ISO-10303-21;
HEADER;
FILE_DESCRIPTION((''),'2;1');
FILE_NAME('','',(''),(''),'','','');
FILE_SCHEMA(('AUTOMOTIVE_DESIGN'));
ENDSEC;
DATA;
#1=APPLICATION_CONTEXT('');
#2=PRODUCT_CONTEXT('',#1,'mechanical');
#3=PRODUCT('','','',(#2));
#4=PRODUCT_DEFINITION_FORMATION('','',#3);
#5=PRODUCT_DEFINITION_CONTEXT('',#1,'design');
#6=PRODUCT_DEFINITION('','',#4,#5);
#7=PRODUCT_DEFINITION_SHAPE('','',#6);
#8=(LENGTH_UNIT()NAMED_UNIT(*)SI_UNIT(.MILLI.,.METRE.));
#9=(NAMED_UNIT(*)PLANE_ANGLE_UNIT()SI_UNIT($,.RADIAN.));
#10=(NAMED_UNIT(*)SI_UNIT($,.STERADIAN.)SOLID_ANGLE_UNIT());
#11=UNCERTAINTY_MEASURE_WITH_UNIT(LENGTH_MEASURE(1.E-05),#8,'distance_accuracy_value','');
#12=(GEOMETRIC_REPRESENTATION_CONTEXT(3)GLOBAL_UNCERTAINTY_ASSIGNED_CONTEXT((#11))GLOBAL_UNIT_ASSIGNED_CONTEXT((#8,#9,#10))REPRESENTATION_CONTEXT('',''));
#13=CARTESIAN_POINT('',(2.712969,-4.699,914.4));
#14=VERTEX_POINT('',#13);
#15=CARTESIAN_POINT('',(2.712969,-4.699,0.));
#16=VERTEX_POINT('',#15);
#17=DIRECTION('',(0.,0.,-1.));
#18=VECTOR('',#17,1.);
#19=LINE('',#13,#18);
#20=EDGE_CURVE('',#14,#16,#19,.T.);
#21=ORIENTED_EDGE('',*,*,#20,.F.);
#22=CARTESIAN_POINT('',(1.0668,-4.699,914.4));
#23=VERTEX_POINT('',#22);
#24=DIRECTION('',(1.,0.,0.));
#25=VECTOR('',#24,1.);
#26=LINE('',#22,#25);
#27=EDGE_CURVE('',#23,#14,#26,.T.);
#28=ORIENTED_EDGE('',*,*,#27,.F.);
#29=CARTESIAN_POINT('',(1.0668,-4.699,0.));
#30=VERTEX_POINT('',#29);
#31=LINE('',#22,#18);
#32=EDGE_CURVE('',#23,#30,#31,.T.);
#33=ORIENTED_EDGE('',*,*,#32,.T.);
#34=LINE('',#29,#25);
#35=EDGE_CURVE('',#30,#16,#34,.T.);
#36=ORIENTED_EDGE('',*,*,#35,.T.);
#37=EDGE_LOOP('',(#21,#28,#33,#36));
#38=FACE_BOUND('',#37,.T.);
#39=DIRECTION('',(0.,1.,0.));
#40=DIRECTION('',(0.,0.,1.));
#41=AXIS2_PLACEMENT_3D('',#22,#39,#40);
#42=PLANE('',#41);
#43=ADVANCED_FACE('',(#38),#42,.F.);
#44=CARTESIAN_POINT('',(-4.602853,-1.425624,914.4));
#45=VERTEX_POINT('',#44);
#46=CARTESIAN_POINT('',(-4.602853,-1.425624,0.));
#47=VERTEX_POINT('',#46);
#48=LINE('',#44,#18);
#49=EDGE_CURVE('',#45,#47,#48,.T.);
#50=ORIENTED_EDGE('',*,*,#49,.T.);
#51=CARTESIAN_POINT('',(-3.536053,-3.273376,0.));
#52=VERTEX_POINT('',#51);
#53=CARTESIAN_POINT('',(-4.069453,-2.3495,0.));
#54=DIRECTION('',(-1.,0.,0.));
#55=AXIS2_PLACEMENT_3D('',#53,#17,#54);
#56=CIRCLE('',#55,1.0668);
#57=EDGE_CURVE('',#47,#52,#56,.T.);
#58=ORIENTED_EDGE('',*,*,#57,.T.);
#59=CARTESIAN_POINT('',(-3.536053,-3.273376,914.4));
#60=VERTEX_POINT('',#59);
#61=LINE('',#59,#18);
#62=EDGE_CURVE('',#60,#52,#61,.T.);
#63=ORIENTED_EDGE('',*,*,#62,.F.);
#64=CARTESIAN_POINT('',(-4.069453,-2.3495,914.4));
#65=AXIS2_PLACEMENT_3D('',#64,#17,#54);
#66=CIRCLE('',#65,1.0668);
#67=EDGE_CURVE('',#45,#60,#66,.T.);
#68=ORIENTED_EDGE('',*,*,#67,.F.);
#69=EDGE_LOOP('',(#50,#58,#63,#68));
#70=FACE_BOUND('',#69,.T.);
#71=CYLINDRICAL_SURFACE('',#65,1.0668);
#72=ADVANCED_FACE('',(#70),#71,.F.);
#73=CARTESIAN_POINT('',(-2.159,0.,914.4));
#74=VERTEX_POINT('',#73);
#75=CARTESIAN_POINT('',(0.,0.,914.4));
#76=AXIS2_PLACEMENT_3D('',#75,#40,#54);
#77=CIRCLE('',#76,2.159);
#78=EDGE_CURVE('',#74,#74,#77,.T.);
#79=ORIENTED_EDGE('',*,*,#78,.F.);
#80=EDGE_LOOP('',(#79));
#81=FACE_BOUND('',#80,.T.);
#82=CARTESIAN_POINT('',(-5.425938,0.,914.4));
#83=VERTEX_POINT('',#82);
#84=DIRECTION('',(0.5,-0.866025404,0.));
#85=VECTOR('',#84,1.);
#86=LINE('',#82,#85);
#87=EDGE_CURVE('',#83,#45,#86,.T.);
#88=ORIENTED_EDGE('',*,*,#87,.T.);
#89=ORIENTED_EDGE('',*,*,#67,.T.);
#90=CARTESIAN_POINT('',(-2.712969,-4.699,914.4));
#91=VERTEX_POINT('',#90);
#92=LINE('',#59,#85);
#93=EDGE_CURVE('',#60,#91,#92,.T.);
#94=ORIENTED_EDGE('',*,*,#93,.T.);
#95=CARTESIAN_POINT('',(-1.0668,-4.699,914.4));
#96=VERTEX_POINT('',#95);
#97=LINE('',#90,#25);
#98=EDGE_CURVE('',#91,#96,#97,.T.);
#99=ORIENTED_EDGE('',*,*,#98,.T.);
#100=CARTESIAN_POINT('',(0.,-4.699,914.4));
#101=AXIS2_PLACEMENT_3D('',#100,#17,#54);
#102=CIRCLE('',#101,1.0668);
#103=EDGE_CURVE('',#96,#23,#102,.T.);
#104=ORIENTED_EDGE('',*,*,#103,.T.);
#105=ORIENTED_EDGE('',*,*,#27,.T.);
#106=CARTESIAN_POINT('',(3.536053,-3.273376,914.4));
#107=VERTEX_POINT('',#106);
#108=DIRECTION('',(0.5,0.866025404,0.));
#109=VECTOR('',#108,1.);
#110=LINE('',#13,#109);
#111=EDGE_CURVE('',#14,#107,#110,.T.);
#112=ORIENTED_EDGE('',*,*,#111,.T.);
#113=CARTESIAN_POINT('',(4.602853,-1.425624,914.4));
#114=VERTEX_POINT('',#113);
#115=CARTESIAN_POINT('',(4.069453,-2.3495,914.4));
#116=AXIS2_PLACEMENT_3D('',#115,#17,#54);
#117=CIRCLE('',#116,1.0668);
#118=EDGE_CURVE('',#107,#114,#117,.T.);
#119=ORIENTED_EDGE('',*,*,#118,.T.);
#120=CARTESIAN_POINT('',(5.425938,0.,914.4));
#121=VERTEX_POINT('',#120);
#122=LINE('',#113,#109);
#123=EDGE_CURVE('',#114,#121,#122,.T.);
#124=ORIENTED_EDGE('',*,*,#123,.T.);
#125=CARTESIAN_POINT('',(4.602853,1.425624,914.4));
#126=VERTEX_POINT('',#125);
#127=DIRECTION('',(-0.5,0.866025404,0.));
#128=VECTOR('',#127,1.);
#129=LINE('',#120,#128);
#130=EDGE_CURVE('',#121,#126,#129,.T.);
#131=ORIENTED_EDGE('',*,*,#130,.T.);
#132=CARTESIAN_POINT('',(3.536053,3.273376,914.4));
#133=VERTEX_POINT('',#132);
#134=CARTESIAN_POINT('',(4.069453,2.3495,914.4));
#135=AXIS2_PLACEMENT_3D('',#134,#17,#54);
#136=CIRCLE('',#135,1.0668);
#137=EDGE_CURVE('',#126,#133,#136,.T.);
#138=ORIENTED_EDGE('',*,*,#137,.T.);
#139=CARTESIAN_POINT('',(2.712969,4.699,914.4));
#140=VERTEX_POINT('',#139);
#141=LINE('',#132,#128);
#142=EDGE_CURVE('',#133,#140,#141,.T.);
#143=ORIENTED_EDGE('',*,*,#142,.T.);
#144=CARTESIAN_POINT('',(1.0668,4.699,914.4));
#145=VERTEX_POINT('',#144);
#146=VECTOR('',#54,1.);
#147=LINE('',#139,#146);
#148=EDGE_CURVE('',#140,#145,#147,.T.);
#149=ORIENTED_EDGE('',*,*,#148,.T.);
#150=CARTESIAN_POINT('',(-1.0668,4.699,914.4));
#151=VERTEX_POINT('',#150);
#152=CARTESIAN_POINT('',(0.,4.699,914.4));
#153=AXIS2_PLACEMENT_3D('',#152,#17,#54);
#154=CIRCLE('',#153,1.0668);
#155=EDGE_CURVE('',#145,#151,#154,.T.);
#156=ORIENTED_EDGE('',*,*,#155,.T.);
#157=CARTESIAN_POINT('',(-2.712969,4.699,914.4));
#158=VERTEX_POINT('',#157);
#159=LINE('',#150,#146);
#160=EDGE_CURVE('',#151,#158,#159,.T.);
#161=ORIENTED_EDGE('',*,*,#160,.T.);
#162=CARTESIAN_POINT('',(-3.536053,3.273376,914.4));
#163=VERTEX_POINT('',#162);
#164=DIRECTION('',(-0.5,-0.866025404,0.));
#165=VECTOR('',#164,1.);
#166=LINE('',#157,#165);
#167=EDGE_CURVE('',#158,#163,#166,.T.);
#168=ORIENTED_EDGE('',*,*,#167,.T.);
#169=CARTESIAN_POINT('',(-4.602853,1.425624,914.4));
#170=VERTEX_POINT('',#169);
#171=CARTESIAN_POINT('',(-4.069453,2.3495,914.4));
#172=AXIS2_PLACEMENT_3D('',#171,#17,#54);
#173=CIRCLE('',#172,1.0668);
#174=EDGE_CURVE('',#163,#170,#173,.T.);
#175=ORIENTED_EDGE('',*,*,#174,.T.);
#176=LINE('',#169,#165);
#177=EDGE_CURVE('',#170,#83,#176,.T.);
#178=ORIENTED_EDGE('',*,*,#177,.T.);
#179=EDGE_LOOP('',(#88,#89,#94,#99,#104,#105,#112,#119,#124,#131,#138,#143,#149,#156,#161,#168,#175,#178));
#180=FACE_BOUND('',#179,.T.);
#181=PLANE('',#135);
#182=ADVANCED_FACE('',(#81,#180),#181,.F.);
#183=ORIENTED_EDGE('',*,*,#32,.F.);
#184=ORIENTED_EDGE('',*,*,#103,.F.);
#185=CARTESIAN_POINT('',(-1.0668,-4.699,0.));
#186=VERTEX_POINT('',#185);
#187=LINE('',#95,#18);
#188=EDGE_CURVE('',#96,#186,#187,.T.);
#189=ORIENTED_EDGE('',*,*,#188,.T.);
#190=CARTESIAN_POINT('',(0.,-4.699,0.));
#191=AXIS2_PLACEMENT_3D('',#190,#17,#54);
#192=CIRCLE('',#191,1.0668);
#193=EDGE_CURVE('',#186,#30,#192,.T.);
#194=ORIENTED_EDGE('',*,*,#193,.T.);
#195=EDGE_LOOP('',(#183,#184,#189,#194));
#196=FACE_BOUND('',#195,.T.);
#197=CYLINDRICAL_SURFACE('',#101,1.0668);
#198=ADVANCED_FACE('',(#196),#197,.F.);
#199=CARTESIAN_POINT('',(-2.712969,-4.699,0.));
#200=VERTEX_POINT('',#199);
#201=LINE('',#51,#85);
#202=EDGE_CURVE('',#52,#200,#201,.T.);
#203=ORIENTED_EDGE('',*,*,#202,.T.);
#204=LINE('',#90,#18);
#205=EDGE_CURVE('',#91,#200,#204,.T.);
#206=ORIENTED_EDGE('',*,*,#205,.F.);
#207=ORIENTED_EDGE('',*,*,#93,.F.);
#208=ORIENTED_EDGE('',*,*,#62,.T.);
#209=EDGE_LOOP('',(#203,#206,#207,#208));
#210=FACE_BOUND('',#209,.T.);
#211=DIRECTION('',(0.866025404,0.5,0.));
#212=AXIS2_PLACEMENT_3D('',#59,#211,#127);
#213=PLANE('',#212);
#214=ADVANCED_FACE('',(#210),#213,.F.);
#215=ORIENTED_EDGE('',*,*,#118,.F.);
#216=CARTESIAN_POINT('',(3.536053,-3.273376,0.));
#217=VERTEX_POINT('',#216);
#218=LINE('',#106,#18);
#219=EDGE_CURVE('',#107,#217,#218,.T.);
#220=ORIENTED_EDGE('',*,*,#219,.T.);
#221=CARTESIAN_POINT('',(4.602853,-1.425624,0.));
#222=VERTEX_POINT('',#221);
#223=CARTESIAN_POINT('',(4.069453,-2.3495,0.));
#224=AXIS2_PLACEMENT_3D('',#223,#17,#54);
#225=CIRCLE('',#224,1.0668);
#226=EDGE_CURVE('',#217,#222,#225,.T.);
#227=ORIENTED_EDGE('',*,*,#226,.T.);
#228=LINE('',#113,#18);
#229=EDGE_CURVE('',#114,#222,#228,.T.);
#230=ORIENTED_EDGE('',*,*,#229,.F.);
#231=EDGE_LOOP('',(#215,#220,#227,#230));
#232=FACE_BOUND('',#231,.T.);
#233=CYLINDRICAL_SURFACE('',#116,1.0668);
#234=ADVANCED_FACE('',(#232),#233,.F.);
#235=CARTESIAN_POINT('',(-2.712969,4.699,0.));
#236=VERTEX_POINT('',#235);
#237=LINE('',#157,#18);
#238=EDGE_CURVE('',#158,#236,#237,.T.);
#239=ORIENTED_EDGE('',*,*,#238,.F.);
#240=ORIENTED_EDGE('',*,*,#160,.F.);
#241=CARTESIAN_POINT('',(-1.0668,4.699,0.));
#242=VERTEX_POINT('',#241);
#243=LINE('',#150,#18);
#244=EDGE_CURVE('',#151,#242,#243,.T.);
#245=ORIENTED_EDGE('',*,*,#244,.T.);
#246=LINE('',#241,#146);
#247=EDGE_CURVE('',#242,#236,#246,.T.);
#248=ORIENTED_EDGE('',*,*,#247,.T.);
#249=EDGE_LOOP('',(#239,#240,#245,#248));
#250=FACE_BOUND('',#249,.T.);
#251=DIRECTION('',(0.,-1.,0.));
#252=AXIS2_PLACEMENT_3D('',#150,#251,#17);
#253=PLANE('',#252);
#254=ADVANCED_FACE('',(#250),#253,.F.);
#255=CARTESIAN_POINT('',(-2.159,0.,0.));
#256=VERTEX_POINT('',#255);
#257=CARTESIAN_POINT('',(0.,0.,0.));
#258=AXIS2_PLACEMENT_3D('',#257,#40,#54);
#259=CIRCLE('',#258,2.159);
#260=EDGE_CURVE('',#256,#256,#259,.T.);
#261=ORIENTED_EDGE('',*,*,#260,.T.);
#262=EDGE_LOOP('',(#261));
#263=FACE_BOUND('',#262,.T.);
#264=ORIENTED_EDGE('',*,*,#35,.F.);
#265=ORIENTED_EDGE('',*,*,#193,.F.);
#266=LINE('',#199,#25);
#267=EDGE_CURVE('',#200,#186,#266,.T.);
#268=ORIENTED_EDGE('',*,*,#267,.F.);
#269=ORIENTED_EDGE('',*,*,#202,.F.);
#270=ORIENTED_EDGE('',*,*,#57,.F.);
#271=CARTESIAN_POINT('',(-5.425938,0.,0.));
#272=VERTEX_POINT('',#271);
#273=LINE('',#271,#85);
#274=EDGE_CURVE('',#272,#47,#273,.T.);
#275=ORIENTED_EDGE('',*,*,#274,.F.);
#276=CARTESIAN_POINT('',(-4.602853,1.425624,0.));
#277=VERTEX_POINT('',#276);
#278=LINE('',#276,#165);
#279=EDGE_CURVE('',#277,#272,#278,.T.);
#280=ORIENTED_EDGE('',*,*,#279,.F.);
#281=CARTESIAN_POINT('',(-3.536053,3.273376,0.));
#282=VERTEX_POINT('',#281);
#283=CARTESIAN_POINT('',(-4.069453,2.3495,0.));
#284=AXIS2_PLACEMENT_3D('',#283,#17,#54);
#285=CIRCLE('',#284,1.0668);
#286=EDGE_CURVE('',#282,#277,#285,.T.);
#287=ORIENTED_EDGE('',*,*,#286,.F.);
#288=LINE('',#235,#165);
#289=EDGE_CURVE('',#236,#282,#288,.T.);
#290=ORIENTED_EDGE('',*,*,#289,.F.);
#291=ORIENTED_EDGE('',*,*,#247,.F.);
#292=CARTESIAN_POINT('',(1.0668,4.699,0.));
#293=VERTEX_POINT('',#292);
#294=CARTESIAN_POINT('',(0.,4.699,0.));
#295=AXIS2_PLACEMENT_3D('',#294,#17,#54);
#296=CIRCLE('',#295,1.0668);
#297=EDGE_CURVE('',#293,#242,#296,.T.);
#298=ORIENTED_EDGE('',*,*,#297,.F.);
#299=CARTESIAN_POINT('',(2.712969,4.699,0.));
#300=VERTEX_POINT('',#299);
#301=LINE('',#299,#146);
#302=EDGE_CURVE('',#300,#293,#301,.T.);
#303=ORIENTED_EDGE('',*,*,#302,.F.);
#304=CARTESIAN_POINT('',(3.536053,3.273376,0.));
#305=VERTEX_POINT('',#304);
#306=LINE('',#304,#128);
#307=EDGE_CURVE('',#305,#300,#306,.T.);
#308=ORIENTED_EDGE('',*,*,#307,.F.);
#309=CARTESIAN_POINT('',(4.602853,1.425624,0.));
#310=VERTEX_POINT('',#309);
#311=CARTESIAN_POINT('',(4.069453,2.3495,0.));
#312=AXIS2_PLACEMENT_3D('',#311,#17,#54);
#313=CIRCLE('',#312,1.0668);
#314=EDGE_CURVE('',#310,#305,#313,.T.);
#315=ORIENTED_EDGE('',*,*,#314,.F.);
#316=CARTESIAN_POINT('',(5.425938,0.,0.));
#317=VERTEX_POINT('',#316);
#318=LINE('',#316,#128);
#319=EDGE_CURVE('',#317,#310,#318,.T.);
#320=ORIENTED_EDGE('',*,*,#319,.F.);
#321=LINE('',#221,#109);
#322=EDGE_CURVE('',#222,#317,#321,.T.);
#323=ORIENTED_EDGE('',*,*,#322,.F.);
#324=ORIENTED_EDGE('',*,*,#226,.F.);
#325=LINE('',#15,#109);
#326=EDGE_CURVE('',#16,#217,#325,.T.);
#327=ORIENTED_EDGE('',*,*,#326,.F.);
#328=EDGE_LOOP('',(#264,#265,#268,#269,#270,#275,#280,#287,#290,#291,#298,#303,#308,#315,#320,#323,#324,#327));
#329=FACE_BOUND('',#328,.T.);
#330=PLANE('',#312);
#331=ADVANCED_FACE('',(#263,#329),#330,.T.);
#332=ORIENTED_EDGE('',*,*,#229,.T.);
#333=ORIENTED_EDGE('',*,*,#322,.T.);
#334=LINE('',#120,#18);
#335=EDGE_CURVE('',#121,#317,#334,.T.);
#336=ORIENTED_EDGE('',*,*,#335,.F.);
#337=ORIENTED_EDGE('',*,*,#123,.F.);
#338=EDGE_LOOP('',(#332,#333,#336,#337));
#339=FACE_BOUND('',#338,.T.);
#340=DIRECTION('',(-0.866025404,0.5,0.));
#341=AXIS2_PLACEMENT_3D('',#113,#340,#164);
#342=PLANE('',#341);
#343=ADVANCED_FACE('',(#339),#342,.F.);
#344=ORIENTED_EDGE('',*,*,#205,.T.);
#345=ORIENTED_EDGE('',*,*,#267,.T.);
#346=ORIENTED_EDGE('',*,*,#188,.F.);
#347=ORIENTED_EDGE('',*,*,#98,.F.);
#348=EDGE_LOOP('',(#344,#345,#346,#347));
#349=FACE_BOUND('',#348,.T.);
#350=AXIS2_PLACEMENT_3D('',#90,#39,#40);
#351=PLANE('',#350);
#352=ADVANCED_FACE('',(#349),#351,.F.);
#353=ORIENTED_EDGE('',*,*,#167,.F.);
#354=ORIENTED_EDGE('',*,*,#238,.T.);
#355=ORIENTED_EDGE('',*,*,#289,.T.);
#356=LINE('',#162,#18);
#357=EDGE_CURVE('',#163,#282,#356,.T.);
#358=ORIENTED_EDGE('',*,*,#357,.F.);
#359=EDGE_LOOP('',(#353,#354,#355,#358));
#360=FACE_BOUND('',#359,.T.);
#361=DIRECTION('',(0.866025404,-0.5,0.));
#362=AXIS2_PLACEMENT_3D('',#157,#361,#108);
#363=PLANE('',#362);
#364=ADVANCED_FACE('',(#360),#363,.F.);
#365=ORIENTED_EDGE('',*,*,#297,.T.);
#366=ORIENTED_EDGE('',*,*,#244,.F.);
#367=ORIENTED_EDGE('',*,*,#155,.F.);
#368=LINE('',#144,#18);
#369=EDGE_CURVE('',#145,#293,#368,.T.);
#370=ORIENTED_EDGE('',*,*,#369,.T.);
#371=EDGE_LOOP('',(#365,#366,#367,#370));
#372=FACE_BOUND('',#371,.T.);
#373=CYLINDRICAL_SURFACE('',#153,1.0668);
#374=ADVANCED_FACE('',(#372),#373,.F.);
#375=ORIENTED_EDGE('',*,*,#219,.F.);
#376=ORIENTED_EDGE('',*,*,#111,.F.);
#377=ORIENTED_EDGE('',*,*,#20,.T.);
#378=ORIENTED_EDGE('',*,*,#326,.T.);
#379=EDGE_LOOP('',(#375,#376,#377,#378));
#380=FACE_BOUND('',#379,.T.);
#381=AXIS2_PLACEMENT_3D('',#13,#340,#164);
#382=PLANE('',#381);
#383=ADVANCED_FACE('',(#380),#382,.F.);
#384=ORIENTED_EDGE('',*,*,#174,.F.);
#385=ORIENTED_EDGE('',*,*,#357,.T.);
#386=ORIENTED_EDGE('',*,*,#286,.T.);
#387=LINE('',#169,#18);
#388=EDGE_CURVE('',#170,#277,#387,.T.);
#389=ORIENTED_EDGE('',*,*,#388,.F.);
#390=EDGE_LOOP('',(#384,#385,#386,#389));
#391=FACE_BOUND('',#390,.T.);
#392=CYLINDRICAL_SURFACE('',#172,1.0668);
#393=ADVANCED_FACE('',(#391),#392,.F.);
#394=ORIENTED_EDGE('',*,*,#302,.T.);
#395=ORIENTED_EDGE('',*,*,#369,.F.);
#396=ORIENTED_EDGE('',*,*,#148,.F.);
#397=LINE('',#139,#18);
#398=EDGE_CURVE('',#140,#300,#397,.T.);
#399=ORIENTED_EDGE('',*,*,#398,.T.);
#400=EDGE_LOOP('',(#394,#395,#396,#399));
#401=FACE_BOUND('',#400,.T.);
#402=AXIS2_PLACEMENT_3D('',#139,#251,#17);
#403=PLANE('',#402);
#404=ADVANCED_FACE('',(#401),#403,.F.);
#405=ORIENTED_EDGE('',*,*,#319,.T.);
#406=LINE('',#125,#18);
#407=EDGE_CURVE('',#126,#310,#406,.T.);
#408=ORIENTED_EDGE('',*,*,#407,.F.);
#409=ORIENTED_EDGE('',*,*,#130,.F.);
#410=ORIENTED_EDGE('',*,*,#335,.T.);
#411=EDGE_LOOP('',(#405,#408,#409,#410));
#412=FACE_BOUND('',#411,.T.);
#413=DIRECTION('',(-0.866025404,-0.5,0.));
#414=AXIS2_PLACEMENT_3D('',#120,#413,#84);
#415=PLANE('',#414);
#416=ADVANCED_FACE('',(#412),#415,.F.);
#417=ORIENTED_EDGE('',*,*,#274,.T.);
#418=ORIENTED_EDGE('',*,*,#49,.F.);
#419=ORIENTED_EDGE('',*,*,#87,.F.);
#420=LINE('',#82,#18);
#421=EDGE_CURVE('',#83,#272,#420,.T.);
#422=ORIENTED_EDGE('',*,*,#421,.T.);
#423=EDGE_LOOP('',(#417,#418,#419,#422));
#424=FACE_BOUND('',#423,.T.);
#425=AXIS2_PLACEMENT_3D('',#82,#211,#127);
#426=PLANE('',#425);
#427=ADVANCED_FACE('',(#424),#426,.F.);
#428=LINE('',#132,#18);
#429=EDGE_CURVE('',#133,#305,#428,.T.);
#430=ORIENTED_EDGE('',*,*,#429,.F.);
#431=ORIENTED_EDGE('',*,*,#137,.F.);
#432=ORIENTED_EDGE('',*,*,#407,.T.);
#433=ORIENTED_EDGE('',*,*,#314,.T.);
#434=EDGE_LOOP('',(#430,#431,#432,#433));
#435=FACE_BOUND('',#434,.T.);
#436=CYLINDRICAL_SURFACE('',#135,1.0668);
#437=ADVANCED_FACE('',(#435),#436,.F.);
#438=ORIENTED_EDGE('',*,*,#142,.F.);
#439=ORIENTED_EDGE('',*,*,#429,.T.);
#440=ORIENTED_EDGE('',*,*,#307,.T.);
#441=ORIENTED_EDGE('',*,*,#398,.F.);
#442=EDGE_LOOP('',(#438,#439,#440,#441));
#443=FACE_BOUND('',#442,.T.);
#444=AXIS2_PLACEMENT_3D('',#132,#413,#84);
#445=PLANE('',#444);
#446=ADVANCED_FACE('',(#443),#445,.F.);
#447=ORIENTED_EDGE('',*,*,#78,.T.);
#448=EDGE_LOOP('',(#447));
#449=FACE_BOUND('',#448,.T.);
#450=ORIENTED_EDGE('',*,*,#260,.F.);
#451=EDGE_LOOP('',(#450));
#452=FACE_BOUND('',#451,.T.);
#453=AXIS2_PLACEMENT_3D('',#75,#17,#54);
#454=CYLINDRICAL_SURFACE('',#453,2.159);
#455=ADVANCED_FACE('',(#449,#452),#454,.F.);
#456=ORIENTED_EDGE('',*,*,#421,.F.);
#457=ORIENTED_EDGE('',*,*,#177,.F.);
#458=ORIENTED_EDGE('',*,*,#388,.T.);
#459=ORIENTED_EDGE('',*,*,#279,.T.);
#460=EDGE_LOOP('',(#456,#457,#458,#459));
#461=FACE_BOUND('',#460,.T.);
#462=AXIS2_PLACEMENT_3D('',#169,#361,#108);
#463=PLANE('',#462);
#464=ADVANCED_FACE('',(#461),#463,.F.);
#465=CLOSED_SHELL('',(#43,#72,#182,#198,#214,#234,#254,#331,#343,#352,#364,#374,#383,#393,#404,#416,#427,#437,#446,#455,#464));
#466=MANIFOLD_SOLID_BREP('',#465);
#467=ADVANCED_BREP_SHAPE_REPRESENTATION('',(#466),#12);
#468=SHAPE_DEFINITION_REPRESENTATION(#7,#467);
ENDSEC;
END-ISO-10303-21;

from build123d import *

# Parameters (mm, degrees)
SKETCH1_R           = 2.159
BOSS_EXTRUDE1_DEPTH = 914.4


with BuildPart() as part:
    # Sketch1 → Boss-Extrude1 (new body)
    with BuildSketch(Plane.XY):
        with BuildLine():
            Line((3.536053372, 3.273375901), (2.712968915, 4.699))
            Line((2.712968915, 4.699), (1.0668, 4.699))
            ThreePointArc((1.0668, 4.699), (0, 3.6322), (-1.0668, 4.699))
            Line((-1.0668, 4.699), (-2.712968915, 4.699))
            Line((-2.712968915, 4.699), (-3.536053372, 3.273375901))
            ThreePointArc((-3.536053372, 3.273375901), (-3.145577472, 1.8161), (-4.602853372, 1.425624099))
            Line((-4.602853372, 1.425624099), (-5.42593783, 0))
            Line((-5.42593783, 0), (-4.602853372, -1.425624099))
            ThreePointArc((-4.602853372, -1.425624099), (-3.145577472, -1.8161), (-3.536053372, -3.273375901))
            Line((-3.536053372, -3.273375901), (-2.712968915, -4.699))
            Line((-2.712968915, -4.699), (-1.0668, -4.699))
            ThreePointArc((-1.0668, -4.699), (0, -3.6322), (1.0668, -4.699))
            Line((1.0668, -4.699), (2.712968915, -4.699))
            Line((2.712968915, -4.699), (3.536053372, -3.273375901))
            ThreePointArc((3.536053372, -3.273375901), (3.145577472, -1.8161), (4.602853372, -1.425624099))
            Line((4.602853372, -1.425624099), (5.42593783, 0))
            Line((5.42593783, 0), (4.602853372, 1.425624099))
            ThreePointArc((4.602853372, 1.425624099), (3.145577472, 1.8161), (3.536053372, 3.273375901))
        make_face()
        Circle(SKETCH1_R, mode=Mode.SUBTRACT)
    extrude(amount=BOSS_EXTRUDE1_DEPTH)


solid = part.part
